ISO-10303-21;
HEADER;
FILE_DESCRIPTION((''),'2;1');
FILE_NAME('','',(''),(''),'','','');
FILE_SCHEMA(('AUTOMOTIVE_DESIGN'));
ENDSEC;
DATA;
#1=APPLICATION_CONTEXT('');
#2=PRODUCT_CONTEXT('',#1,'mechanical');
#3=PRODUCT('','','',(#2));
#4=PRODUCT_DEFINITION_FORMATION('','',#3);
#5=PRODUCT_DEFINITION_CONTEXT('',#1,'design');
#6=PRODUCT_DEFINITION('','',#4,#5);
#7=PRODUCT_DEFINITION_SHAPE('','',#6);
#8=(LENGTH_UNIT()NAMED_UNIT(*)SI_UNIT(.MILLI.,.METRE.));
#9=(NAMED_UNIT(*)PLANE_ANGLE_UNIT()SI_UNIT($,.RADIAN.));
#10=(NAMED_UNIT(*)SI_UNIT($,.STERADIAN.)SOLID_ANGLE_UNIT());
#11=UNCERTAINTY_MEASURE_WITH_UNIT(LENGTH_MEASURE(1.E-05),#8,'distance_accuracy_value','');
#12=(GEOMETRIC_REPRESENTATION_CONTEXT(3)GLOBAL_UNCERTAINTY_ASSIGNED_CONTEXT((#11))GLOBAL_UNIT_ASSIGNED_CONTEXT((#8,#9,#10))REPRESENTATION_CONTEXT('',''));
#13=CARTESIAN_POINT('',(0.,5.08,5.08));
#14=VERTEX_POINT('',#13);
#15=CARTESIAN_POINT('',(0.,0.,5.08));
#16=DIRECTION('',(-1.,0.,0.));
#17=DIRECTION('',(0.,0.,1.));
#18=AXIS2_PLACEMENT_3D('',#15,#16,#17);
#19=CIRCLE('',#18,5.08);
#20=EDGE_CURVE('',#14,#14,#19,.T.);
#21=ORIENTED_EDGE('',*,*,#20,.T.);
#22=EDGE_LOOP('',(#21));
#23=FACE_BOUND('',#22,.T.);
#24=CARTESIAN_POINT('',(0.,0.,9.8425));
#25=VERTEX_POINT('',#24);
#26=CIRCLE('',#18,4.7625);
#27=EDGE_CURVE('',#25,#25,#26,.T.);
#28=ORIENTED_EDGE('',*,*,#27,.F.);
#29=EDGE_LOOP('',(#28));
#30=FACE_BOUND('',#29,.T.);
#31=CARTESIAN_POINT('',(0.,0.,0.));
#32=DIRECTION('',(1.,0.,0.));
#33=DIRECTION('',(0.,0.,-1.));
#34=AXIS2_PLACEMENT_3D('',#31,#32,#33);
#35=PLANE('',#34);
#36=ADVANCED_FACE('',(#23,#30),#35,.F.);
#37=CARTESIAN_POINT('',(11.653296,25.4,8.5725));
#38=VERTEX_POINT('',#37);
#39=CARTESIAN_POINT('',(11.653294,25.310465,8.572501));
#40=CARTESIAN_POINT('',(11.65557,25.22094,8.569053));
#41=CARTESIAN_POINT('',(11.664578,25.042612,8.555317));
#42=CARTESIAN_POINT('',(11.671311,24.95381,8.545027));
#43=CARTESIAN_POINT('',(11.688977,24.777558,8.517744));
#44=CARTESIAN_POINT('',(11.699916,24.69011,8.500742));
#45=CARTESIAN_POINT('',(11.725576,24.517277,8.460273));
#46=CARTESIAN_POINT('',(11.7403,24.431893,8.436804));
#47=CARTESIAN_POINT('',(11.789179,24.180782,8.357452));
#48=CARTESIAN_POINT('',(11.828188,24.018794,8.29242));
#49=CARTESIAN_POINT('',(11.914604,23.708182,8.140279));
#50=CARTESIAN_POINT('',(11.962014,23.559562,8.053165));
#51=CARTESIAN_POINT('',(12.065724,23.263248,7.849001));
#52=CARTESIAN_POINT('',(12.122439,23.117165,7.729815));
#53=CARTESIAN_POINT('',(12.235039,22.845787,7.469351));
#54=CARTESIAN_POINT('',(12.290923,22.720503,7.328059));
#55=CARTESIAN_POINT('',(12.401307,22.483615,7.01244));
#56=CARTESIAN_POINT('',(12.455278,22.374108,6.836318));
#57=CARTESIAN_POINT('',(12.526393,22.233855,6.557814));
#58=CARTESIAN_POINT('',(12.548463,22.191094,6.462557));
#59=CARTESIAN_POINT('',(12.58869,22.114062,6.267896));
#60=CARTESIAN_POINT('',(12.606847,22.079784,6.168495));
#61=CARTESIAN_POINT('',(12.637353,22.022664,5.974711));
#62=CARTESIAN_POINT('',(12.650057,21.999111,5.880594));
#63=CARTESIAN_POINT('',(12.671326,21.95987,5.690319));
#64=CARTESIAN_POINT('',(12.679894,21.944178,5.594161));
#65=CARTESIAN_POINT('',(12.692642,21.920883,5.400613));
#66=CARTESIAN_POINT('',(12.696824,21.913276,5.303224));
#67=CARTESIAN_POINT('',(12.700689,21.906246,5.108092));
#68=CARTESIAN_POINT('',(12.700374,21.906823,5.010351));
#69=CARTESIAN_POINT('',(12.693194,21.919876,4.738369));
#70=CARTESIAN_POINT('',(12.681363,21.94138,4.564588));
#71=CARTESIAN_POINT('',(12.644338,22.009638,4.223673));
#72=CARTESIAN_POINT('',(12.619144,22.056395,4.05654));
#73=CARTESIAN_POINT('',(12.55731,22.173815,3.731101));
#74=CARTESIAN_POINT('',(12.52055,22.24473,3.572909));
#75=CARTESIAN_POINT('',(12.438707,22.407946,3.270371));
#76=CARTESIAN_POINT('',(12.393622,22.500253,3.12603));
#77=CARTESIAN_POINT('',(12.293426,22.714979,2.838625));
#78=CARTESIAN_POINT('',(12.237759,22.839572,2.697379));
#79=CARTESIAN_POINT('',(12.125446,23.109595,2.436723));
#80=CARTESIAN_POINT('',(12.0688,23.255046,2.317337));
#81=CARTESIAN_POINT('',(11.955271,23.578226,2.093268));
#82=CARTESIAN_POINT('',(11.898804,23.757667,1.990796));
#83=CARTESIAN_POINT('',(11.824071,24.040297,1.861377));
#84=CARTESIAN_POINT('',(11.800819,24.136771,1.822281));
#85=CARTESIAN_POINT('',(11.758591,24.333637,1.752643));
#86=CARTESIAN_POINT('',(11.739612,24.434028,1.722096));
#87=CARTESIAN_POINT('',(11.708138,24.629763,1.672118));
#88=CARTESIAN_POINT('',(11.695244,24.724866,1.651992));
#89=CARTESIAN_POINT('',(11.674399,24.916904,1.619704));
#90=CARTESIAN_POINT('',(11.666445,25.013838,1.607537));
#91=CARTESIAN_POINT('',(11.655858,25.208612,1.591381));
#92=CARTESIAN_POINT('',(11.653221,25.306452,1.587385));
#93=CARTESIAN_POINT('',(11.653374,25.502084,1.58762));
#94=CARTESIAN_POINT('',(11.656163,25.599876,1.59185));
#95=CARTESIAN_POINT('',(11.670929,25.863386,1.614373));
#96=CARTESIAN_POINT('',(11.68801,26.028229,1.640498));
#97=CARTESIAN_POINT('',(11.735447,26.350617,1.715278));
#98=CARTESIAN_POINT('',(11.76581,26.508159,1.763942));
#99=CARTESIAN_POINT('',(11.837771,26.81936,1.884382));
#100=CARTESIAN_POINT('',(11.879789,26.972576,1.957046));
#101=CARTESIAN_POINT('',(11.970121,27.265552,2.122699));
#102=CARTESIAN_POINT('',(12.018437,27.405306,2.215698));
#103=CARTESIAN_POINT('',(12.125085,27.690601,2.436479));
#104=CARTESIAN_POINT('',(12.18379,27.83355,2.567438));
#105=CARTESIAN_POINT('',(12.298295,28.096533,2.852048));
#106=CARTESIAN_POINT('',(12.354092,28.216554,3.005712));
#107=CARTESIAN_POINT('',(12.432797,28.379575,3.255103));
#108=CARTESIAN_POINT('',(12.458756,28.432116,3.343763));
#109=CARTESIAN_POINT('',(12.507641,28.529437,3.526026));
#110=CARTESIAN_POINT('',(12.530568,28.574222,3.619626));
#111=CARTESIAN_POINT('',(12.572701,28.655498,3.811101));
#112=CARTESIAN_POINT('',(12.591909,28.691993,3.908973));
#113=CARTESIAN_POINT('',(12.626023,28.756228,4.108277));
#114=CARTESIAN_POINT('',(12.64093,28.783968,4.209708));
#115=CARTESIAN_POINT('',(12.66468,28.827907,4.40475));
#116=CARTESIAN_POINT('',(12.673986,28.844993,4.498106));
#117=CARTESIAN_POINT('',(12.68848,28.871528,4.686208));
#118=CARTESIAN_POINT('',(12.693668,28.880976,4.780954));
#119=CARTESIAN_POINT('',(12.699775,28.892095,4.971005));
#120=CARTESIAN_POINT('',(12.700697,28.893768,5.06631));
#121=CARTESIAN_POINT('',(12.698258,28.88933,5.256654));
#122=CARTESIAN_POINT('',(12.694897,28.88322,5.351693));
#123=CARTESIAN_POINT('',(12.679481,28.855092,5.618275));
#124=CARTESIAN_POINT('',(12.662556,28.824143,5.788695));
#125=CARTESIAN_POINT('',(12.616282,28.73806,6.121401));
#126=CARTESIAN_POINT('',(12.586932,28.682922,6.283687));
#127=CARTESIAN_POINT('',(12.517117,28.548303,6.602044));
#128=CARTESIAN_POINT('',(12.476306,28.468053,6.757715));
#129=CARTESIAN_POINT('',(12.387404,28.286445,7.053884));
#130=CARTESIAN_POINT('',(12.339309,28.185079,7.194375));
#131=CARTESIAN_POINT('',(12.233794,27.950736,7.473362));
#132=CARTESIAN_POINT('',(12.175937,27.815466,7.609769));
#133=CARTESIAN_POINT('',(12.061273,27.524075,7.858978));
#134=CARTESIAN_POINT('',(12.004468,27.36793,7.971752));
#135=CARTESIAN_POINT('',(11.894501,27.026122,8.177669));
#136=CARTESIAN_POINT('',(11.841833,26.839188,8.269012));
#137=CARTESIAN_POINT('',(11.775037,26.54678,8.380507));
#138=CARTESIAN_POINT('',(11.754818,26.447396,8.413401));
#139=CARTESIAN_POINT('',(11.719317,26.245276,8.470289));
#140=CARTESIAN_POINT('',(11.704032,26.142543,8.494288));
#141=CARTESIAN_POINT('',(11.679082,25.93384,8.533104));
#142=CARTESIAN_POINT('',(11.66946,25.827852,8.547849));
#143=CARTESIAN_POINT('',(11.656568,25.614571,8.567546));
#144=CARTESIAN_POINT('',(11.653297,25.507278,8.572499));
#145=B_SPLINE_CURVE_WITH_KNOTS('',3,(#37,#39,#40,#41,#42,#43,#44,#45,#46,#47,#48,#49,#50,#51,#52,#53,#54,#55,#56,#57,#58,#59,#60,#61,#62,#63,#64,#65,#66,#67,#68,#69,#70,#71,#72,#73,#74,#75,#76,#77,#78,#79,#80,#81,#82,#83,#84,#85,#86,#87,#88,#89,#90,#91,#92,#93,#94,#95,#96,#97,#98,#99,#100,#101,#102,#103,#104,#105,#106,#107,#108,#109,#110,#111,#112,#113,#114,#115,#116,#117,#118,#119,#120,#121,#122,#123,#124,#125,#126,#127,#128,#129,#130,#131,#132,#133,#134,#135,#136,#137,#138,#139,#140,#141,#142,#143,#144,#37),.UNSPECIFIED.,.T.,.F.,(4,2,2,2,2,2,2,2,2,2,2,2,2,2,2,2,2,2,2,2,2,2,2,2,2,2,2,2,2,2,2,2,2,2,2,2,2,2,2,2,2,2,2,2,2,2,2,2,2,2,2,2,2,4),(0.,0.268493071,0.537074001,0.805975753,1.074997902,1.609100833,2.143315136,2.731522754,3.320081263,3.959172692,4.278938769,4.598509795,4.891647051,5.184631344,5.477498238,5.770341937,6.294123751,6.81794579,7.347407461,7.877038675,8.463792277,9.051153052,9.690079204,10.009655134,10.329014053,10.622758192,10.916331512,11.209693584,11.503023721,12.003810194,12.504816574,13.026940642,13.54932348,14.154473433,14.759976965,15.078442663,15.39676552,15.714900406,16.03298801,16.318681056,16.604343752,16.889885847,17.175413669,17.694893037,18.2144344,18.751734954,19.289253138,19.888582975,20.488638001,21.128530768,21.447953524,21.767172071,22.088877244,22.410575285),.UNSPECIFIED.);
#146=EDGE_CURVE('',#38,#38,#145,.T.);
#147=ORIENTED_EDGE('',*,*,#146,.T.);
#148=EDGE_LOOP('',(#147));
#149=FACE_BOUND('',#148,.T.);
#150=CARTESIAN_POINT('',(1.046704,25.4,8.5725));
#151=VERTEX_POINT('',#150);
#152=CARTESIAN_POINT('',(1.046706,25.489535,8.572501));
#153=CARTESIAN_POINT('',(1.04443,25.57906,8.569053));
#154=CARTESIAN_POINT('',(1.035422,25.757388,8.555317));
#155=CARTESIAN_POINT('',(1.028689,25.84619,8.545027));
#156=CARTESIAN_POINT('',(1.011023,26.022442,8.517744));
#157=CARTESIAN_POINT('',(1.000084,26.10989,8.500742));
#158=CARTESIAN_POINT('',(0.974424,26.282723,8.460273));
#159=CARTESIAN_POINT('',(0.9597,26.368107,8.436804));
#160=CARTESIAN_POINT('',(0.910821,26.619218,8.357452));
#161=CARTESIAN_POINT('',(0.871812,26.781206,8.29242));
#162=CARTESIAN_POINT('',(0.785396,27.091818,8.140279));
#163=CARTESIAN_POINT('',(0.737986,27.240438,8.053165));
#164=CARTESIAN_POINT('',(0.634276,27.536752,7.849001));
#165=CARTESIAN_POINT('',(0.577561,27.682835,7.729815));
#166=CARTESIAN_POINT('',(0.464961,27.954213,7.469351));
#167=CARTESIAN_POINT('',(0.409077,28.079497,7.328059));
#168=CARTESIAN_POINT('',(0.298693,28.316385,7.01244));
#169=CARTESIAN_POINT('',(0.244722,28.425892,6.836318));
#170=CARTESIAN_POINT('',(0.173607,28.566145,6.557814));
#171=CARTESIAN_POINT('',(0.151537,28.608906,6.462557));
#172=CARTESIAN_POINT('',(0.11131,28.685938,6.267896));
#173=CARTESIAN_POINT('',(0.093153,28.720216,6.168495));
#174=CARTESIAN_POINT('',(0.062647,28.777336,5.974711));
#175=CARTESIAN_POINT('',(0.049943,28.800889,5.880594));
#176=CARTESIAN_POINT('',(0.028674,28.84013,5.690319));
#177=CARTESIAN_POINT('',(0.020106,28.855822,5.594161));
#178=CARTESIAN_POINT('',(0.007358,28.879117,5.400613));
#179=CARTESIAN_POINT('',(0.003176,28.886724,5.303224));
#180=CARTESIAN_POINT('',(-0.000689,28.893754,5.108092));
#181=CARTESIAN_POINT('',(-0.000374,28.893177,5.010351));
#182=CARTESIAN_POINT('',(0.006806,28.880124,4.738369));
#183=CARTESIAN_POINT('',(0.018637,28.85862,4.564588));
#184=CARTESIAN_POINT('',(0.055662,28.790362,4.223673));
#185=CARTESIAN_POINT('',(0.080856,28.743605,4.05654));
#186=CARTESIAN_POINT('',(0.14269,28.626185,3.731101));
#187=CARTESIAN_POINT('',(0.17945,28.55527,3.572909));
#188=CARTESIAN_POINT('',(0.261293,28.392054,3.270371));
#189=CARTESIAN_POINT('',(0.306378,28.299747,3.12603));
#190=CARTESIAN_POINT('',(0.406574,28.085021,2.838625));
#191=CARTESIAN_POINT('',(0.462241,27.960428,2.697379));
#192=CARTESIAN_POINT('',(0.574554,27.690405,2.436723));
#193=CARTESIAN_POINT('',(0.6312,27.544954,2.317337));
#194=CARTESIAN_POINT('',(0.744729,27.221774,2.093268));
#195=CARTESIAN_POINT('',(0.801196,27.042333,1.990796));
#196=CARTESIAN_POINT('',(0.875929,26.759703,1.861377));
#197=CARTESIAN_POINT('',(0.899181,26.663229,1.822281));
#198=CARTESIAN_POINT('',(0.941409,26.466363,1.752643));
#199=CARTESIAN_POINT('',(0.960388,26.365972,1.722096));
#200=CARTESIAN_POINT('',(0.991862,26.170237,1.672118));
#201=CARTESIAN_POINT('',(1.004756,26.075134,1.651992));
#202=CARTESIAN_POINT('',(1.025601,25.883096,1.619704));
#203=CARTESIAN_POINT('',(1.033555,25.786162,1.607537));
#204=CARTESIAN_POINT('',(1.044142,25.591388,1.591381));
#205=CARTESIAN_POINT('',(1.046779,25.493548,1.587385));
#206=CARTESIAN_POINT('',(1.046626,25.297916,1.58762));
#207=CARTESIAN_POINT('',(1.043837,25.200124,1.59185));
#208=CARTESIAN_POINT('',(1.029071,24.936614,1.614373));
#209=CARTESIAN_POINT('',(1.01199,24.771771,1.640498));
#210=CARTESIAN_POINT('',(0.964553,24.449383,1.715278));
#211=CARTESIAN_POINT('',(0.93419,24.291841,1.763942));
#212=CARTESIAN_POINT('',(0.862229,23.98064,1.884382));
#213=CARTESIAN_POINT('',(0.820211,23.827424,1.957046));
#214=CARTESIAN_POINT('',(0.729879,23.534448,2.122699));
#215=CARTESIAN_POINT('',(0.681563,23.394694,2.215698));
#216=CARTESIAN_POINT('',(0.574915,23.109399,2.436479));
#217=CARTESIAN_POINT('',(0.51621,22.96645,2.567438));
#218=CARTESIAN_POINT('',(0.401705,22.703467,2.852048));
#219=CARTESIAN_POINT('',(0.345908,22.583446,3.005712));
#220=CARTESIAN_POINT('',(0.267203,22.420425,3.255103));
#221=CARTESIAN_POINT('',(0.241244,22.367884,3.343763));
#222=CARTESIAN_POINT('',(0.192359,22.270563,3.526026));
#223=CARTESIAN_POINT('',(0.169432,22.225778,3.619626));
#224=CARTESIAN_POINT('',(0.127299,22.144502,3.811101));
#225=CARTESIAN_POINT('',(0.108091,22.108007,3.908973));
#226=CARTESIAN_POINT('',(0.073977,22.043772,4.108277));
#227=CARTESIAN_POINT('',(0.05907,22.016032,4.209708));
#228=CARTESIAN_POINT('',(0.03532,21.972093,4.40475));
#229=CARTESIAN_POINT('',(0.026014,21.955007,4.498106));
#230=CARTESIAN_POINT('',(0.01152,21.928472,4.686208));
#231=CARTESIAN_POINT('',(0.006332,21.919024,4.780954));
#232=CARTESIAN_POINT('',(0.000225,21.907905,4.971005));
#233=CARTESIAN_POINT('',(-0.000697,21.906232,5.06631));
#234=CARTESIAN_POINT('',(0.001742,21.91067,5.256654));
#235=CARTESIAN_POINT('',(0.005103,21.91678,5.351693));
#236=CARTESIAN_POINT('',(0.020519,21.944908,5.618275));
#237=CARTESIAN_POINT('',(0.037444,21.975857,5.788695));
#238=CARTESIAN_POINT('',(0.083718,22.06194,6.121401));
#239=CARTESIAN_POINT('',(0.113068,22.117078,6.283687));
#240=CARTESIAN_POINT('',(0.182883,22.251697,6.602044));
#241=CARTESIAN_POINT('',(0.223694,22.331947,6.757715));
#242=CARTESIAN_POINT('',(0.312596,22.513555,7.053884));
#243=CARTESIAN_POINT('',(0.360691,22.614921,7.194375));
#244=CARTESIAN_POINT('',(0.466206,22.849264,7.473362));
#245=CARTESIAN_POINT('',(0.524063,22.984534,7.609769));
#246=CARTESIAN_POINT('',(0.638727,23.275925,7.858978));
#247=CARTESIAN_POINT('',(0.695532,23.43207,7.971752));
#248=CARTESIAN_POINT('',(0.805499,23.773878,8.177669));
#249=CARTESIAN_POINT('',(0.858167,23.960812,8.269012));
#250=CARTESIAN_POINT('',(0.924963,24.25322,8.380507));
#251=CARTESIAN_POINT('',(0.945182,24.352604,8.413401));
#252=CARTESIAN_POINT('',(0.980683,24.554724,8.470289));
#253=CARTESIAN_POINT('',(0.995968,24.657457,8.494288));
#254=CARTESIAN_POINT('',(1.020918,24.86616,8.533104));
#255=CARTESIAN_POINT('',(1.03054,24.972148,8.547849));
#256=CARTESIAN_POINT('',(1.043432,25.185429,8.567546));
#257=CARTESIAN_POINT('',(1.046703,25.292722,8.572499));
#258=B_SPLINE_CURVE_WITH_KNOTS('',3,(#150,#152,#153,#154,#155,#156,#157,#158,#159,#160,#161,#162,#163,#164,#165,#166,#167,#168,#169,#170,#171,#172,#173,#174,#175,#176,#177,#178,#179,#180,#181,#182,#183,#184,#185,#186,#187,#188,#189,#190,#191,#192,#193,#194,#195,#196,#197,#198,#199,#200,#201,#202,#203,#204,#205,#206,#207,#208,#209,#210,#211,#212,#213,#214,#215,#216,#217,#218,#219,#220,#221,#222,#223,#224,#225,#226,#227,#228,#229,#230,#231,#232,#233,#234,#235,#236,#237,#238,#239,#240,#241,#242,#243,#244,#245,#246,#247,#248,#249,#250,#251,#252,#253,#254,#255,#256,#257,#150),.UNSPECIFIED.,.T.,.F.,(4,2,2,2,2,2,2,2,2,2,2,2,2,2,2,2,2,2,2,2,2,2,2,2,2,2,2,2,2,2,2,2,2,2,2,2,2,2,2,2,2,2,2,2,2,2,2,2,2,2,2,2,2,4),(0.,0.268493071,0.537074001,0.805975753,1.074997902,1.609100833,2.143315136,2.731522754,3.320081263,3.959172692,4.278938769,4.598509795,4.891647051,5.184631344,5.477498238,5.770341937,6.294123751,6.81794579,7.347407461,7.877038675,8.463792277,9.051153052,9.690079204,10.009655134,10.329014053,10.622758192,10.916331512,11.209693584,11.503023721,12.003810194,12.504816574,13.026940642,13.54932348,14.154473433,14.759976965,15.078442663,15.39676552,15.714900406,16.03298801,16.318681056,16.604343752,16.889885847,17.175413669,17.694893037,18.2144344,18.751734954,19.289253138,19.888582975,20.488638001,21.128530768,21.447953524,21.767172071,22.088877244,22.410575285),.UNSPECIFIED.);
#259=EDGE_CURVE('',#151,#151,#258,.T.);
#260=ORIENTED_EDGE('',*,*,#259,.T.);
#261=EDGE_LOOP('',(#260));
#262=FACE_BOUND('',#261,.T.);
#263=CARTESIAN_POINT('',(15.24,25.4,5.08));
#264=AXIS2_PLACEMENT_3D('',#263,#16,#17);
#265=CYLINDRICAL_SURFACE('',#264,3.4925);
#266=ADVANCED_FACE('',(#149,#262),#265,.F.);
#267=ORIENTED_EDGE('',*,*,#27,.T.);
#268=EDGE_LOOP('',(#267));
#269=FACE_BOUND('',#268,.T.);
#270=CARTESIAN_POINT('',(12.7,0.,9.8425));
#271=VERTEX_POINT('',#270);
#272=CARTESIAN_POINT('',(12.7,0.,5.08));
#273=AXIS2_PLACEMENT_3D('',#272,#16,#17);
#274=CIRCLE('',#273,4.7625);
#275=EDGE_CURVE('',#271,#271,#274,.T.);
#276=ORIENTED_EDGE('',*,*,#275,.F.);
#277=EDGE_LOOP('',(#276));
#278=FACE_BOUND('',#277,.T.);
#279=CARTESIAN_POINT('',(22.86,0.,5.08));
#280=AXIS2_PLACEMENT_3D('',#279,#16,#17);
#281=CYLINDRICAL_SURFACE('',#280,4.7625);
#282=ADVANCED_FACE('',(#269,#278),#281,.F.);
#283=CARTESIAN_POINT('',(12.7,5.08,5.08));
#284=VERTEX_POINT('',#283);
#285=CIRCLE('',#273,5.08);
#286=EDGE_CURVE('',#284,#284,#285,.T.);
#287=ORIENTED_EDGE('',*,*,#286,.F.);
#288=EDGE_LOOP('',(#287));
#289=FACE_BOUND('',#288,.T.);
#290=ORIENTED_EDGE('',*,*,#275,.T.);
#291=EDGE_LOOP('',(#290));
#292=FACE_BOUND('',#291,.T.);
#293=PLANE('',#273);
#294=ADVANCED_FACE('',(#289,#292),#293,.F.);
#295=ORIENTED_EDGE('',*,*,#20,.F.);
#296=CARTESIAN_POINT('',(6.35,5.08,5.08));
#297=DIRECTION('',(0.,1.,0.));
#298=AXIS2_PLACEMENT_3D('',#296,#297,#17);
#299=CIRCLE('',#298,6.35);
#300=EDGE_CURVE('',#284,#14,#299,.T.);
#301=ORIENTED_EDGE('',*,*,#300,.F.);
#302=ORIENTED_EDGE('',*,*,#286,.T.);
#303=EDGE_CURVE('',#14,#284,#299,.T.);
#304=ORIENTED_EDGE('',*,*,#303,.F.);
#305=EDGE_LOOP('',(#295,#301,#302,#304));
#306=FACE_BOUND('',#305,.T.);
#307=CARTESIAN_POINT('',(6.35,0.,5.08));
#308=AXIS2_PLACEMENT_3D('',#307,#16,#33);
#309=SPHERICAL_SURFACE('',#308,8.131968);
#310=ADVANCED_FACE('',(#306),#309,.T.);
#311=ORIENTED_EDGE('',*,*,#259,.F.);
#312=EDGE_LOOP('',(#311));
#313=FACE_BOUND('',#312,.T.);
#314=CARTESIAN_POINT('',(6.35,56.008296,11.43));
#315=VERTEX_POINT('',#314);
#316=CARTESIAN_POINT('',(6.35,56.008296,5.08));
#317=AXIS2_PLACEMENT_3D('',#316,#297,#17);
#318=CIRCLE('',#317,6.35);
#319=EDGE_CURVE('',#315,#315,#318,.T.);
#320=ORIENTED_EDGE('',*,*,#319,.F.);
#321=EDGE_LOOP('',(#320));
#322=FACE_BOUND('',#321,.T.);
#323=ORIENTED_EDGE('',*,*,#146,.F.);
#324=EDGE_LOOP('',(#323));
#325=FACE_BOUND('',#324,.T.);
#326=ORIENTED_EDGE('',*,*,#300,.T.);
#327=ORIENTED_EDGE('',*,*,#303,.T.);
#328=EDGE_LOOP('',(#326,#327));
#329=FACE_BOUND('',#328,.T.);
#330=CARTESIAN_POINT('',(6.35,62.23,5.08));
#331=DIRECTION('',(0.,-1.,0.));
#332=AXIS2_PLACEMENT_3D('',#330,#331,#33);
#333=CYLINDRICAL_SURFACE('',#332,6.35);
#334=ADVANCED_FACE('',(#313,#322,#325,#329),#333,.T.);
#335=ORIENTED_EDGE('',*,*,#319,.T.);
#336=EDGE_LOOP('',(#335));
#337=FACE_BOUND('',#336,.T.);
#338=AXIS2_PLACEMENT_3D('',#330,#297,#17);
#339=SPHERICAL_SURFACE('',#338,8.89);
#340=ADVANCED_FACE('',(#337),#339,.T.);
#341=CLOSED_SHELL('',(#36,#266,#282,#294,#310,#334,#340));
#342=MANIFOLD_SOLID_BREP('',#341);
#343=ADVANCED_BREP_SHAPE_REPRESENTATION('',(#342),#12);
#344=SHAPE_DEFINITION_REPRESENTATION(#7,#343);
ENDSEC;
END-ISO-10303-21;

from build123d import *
from build123d.topology import SkipClean

# Parameters (mm, degrees)
SKETCH3_R           = 4.7625
CUT_EXTRUDE1_DEPTH  = 22.86
BOSS_EXTRUDE1_START = 5.08
SKETCH4_R           = 6.35
BOSS_EXTRUDE1_DEPTH = 57.15
SKETCH6_R           = 3.4925
CUT_EXTRUDE2_DEPTH  = 75.063978424


with BuildPart() as part:
    # Sketch1 → Revolve1 (revolve)
    with BuildSketch(Plane(origin=(0, 0, 0), x_dir=(1, 0, 0), z_dir=(0, 1, 0))):
        with BuildLine():
            Line((0, 0), (0, -5.08))
            Line((0, -5.08), (12.7, -5.08))
            Line((12.7, -5.08), (12.7, 0))
            ThreePointArc((12.7, 0), (6.35, 3.051967782), (0, 0))
        make_face()
    revolve(axis=Axis((0, 0, 5.08), (1, 0, 0)))

    # Sketch3 → Cut-Extrude1 (cut)
    with BuildSketch(Plane.ZY):
        with Locations((5.08, 0)):
            Circle(SKETCH3_R)
    extrude(amount=-CUT_EXTRUDE1_DEPTH, mode=Mode.SUBTRACT)

    # Sketch4 → Boss-Extrude1 (add)
    with SkipClean():  # the faces are left unmerged after this step: merging them gives an invalid solid
        with BuildSketch(Plane(origin=(0, 0, 0), x_dir=(1, 0, 0), z_dir=(0, 1, 0)).offset(BOSS_EXTRUDE1_START)):
            with Locations((6.35, -5.08)):
                Circle(SKETCH4_R)
        extrude(amount=BOSS_EXTRUDE1_DEPTH)

    # Sketch5 → Revolve2 (revolve)
    with SkipClean():  # the faces are left unmerged after this step: merging them gives an invalid solid
        with BuildSketch(Plane(origin=(0, 62.23, 0), x_dir=(1, 0, 0), z_dir=(0, 1, 0))):
            with BuildLine():
                Line((6.35, 3.81), (6.35, -13.97))
                ThreePointArc((6.35, -13.97), (15.24, -5.08), (6.35, 3.81))
            make_face()
        revolve(axis=Axis((6.35, 62.23, -3.81), (0, 0, 1)))

    # Sketch6 → Cut-Extrude2 (cut, through all)
    with SkipClean():  # the faces are left unmerged after this step: merging them gives an invalid solid
        with BuildSketch(Plane(origin=(0, 0, 0), x_dir=(0, 0, -1), z_dir=(1, 0, 0))):
            with Locations((-5.08, 25.4)):
                Circle(SKETCH6_R)
        extrude(amount=CUT_EXTRUDE2_DEPTH, mode=Mode.SUBTRACT)


solid = part.part
